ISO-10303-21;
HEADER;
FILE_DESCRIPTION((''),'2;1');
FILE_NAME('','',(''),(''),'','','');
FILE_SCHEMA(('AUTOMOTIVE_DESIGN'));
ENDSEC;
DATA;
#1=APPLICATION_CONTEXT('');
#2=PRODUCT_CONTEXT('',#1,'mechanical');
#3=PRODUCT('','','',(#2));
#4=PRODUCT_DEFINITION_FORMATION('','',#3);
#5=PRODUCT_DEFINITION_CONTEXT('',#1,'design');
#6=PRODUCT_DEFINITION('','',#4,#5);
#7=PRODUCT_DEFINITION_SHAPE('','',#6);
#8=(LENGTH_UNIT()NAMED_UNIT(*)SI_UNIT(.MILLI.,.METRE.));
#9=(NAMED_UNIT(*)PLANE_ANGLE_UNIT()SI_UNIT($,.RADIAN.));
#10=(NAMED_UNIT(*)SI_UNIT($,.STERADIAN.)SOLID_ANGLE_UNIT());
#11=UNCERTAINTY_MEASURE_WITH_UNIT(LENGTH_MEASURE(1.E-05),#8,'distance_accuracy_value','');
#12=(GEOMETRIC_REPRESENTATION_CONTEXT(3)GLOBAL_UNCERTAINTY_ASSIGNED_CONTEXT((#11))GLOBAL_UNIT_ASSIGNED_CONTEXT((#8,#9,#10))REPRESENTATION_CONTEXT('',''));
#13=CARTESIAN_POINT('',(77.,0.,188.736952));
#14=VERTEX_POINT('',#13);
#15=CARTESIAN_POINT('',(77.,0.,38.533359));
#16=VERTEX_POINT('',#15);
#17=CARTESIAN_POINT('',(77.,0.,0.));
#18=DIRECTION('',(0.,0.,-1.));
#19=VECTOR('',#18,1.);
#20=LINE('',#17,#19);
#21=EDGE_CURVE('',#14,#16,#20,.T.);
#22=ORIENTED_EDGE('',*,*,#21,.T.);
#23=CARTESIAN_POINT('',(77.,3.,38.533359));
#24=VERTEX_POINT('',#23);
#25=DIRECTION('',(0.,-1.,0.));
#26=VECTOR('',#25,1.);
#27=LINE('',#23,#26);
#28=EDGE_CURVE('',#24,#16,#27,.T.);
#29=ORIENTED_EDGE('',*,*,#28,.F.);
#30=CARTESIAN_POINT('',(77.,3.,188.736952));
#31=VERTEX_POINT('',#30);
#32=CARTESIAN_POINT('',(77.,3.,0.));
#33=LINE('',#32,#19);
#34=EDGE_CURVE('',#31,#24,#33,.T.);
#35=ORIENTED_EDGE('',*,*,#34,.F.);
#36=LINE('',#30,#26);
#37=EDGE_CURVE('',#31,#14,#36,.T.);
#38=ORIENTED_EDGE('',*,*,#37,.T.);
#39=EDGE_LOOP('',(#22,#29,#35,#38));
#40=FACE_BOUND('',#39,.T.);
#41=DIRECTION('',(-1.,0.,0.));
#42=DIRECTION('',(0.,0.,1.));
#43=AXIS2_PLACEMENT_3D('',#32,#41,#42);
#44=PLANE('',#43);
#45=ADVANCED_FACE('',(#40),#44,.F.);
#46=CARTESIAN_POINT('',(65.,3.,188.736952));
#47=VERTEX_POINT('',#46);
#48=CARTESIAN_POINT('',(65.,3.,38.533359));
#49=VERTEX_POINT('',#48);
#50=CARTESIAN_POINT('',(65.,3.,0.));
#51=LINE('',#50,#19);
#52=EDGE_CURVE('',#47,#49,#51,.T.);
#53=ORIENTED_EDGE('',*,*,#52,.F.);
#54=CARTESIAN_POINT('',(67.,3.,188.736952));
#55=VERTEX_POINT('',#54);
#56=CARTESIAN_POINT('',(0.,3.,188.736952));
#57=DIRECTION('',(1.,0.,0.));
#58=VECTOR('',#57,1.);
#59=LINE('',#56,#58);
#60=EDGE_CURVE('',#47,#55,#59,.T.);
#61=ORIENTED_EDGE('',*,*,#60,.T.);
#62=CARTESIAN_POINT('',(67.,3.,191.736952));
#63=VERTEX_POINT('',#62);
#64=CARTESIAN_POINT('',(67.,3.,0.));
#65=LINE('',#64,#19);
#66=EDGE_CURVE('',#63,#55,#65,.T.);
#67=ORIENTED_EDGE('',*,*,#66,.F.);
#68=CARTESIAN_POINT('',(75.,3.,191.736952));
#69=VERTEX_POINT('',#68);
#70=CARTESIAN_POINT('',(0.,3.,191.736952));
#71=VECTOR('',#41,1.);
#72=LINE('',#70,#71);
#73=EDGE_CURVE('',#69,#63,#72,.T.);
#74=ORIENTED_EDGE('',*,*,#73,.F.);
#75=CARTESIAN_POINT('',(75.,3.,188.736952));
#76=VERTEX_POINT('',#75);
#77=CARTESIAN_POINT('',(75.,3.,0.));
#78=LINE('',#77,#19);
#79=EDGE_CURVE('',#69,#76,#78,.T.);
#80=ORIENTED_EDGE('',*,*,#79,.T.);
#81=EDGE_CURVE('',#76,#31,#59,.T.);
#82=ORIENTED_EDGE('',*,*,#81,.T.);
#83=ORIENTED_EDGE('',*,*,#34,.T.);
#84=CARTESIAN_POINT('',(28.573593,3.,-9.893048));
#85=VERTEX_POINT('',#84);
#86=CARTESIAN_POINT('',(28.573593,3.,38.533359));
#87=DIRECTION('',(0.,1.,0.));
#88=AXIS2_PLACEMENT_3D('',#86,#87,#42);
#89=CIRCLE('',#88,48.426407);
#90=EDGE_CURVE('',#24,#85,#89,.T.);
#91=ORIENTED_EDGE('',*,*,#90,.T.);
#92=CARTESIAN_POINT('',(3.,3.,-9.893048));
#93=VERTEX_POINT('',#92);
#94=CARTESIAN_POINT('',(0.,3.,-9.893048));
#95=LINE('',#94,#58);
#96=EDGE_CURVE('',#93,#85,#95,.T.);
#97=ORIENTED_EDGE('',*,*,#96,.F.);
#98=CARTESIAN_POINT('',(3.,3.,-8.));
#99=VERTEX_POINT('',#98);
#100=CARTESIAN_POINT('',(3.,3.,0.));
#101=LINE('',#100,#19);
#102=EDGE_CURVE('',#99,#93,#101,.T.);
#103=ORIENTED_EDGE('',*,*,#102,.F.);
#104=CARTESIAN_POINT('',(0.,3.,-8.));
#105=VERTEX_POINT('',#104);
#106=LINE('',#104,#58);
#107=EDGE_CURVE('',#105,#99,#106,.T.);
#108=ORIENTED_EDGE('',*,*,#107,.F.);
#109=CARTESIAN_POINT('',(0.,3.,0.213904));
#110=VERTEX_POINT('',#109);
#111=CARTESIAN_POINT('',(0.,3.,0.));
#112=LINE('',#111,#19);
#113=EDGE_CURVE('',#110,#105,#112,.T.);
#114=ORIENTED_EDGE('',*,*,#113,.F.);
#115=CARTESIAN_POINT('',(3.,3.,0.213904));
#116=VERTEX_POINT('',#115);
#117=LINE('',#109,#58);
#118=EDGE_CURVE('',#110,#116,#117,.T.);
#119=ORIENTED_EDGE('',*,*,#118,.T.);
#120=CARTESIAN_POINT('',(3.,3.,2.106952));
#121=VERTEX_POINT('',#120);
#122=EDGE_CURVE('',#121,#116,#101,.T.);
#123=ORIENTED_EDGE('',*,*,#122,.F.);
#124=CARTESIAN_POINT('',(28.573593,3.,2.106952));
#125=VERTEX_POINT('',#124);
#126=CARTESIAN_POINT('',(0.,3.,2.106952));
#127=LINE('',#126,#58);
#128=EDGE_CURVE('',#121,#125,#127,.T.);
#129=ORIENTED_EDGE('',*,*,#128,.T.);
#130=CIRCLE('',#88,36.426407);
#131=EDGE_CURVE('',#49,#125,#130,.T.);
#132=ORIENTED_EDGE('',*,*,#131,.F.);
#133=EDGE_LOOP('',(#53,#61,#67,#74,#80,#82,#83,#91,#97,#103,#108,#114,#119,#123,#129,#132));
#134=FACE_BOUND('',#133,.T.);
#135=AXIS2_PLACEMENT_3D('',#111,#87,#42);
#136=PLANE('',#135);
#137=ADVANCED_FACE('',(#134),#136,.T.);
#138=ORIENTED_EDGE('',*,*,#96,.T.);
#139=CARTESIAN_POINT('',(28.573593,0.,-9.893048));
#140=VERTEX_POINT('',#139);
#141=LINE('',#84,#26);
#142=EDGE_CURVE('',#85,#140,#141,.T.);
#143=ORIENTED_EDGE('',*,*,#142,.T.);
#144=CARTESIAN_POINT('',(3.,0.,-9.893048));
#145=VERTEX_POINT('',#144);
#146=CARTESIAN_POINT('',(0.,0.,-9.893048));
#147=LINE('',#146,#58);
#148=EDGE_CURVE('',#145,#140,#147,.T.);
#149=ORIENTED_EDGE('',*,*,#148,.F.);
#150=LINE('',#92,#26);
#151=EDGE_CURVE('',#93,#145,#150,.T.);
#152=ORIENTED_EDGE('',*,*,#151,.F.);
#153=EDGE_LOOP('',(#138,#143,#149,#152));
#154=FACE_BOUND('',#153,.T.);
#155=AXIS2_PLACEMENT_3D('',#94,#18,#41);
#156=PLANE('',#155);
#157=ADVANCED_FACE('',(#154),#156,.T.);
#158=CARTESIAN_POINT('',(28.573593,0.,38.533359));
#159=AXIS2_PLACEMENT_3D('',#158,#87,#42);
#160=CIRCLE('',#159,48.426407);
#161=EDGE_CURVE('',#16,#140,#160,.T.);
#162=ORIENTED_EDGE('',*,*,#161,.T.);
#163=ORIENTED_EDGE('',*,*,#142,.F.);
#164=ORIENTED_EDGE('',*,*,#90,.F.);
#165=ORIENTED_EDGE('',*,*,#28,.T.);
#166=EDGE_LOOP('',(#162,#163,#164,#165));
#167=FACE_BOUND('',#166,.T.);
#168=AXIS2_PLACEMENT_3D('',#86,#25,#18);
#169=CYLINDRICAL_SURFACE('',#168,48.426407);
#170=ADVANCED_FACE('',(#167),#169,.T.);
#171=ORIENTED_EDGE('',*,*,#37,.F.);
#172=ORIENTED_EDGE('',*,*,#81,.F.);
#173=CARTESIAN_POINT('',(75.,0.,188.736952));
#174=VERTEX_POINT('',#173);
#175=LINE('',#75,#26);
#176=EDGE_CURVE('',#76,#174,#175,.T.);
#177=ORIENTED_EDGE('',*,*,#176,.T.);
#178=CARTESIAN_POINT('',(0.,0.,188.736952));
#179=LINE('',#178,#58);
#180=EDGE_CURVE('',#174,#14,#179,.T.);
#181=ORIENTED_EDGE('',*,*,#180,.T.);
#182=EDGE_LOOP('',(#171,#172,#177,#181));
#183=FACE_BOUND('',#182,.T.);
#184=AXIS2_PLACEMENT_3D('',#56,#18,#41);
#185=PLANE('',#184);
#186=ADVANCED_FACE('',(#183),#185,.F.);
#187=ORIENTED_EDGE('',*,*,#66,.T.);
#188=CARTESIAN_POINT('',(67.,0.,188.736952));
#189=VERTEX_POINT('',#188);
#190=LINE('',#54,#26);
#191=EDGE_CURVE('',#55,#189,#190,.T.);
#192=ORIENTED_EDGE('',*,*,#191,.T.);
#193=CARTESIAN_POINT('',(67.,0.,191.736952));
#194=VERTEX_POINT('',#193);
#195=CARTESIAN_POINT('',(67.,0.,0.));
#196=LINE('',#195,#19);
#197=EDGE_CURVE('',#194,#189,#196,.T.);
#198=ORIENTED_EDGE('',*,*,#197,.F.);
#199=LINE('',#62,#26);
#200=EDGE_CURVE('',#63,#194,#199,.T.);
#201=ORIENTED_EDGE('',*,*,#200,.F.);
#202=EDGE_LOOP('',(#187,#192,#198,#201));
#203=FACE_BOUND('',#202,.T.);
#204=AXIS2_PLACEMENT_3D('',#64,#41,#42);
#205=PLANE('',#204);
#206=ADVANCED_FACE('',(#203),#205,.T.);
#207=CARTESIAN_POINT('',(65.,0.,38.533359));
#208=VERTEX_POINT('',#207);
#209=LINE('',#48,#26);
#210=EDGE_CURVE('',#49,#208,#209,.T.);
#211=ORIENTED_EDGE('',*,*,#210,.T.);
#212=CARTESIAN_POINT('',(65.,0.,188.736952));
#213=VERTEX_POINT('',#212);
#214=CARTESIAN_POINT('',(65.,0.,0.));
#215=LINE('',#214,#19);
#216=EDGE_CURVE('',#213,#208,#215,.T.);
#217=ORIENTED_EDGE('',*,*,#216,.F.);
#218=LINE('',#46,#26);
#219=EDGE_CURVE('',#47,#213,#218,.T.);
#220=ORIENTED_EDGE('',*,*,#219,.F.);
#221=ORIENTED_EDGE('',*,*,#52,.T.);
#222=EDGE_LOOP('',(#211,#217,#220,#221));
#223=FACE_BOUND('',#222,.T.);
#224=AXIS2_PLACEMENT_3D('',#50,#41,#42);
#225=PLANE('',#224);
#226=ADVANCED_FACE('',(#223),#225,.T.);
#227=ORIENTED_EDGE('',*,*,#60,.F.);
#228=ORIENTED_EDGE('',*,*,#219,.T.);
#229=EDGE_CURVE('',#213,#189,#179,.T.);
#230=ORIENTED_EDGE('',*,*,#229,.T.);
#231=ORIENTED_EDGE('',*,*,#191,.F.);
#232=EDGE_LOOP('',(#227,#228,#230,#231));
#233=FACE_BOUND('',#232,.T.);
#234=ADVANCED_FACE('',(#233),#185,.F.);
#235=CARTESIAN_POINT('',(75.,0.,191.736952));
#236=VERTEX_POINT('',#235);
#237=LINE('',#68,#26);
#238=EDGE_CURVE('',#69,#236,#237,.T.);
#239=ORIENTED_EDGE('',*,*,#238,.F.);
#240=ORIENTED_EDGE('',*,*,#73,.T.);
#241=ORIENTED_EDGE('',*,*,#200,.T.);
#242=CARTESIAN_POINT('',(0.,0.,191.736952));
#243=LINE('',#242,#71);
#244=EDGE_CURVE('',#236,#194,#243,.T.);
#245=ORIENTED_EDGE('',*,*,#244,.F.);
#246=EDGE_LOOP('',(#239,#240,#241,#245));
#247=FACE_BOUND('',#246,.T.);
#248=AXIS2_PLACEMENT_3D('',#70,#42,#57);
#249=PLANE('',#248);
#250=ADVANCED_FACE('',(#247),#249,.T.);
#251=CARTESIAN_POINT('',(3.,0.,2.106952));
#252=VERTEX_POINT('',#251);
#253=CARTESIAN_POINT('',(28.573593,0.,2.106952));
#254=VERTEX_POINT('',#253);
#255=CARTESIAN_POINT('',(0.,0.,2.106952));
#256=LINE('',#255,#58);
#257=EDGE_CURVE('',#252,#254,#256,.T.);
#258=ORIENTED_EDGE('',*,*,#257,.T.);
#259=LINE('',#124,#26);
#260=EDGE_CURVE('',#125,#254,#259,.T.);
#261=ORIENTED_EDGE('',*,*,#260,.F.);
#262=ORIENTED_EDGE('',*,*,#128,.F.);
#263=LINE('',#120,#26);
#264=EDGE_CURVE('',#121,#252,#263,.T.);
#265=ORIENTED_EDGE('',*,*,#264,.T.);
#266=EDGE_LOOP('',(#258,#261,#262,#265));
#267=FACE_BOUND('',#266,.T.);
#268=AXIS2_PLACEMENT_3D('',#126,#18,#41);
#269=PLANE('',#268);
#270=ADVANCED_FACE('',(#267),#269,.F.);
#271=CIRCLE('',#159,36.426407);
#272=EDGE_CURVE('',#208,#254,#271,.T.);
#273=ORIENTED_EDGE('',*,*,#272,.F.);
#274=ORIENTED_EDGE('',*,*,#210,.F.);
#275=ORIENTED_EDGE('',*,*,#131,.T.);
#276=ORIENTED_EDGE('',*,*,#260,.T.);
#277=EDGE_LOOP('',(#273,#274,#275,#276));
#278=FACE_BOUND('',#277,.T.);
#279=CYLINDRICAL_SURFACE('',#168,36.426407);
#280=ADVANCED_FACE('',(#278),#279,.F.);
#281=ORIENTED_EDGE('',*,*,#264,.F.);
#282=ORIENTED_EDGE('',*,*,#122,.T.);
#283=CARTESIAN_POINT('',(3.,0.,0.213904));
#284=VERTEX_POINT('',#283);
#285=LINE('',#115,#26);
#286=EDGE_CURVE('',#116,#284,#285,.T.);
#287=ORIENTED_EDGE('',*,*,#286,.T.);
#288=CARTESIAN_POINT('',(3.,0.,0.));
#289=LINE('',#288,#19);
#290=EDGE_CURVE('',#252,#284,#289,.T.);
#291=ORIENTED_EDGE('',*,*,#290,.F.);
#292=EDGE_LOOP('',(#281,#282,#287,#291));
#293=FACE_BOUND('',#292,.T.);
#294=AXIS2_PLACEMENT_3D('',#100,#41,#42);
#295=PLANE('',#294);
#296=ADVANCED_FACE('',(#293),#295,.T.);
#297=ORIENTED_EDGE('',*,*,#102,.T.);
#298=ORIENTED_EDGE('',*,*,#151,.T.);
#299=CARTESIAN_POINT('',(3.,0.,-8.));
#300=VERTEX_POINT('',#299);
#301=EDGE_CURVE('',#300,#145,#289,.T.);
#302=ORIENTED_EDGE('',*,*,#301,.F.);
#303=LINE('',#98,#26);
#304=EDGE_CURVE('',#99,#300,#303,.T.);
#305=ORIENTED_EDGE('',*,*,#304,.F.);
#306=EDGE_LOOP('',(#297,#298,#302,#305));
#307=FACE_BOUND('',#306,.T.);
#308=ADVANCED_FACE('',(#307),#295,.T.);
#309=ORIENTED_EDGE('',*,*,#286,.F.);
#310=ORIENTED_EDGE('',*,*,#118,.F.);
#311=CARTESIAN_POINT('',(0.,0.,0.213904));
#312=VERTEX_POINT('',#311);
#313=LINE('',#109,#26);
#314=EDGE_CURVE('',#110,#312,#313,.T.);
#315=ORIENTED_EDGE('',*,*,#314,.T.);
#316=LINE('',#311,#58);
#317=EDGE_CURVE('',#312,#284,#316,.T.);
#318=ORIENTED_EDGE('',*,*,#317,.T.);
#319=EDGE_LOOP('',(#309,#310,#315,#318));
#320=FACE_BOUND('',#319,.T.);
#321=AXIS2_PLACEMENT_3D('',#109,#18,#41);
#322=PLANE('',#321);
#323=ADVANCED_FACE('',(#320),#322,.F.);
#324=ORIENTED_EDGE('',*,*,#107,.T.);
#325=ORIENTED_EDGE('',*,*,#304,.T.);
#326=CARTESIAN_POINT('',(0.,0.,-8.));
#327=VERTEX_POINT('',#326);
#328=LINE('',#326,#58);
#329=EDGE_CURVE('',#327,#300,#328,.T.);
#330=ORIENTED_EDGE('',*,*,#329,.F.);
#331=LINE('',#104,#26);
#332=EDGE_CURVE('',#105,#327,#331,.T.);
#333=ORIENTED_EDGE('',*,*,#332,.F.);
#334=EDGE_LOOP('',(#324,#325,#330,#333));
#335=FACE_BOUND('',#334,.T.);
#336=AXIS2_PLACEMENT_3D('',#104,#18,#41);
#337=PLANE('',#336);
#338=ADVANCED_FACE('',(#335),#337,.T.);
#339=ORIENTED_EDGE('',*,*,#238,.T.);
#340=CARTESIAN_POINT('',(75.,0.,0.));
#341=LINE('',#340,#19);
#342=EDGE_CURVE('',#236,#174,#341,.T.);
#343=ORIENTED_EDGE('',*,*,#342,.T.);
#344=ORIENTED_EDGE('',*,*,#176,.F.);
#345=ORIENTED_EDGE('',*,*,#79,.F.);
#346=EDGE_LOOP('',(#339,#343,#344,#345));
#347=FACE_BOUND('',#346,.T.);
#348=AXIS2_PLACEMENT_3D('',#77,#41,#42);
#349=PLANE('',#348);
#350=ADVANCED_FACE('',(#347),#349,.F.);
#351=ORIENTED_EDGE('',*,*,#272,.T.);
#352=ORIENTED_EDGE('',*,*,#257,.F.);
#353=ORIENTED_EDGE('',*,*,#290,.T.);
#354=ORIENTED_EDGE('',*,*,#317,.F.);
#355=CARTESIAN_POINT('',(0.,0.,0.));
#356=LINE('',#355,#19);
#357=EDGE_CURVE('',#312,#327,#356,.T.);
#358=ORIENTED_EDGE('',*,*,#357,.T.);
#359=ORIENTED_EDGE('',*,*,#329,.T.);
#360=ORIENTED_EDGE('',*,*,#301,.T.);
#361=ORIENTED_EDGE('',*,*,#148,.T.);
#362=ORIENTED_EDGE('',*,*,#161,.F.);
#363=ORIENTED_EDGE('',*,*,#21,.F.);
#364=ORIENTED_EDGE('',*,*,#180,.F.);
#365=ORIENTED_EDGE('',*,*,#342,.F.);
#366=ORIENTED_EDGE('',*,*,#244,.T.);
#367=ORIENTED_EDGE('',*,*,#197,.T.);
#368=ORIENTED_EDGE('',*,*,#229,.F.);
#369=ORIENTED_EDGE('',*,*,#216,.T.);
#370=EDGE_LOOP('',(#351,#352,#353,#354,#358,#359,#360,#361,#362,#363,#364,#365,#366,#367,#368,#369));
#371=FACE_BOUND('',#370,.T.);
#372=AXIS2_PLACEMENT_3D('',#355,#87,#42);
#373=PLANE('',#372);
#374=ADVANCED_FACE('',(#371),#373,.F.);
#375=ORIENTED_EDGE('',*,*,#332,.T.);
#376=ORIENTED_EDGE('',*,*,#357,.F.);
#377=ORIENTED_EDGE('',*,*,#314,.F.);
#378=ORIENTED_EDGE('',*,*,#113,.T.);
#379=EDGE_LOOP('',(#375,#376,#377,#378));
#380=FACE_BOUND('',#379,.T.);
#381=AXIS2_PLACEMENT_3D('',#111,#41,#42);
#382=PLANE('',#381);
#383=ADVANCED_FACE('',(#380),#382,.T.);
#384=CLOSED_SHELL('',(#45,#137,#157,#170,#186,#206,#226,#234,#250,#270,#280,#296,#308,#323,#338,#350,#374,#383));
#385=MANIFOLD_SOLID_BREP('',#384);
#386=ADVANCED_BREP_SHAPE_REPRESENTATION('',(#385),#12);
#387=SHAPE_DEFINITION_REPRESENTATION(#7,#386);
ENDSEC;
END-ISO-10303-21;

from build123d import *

# Parameters (mm, degrees)
SALIENTE_EXTRUIR1_DEPTH = 3


with BuildPart() as part:
    # Croquis1 → Saliente-Extruir1 (new body)
    with BuildSketch(Plane(origin=(0, 0, 0), x_dir=(1, 0, 0), z_dir=(0, 1, 0))):
        with BuildLine():
            Line((0, 7.786096257), (0, 0))
            Line((0, 0), (0, -0.213903743))
            Line((0, -0.213903743), (3, -0.213903743))
            Line((3, -0.213903743), (3, -2.106951872))
            Line((3, -2.106951872), (7.35828877, -2.106951872))
            Line((7.35828877, -2.106951872), (28.573593129, -2.106951872))
            ThreePointArc((28.573593129, -2.106951872), (54.330952442, -12.77599943), (65, -38.533358743))
            Line((65, -38.533358743), (65, -117.736951872))
            Line((65, -117.736951872), (65, -188.736951872))
            Line((65, -188.736951872), (67, -188.736951872))
            Line((67, -188.736951872), (67, -191.736951872))
            Line((67, -191.736951872), (75, -191.736951872))
            Line((75, -191.736951872), (75, -188.736951872))
            Line((75, -188.736951872), (77, -188.736951872))
            Line((77, -188.736951872), (77, -38.533358743))
            ThreePointArc((77, -38.533358743), (62.816233816, -4.290718056), (28.573593129, 9.893048128))
            Line((28.573593129, 9.893048128), (3, 9.893048128))
            Line((3, 9.893048128), (3, 8))
            Line((3, 8), (0, 8))
            Line((0, 8), (0, 7.786096257))
        make_face()
    extrude(amount=SALIENTE_EXTRUIR1_DEPTH)


solid = part.part
